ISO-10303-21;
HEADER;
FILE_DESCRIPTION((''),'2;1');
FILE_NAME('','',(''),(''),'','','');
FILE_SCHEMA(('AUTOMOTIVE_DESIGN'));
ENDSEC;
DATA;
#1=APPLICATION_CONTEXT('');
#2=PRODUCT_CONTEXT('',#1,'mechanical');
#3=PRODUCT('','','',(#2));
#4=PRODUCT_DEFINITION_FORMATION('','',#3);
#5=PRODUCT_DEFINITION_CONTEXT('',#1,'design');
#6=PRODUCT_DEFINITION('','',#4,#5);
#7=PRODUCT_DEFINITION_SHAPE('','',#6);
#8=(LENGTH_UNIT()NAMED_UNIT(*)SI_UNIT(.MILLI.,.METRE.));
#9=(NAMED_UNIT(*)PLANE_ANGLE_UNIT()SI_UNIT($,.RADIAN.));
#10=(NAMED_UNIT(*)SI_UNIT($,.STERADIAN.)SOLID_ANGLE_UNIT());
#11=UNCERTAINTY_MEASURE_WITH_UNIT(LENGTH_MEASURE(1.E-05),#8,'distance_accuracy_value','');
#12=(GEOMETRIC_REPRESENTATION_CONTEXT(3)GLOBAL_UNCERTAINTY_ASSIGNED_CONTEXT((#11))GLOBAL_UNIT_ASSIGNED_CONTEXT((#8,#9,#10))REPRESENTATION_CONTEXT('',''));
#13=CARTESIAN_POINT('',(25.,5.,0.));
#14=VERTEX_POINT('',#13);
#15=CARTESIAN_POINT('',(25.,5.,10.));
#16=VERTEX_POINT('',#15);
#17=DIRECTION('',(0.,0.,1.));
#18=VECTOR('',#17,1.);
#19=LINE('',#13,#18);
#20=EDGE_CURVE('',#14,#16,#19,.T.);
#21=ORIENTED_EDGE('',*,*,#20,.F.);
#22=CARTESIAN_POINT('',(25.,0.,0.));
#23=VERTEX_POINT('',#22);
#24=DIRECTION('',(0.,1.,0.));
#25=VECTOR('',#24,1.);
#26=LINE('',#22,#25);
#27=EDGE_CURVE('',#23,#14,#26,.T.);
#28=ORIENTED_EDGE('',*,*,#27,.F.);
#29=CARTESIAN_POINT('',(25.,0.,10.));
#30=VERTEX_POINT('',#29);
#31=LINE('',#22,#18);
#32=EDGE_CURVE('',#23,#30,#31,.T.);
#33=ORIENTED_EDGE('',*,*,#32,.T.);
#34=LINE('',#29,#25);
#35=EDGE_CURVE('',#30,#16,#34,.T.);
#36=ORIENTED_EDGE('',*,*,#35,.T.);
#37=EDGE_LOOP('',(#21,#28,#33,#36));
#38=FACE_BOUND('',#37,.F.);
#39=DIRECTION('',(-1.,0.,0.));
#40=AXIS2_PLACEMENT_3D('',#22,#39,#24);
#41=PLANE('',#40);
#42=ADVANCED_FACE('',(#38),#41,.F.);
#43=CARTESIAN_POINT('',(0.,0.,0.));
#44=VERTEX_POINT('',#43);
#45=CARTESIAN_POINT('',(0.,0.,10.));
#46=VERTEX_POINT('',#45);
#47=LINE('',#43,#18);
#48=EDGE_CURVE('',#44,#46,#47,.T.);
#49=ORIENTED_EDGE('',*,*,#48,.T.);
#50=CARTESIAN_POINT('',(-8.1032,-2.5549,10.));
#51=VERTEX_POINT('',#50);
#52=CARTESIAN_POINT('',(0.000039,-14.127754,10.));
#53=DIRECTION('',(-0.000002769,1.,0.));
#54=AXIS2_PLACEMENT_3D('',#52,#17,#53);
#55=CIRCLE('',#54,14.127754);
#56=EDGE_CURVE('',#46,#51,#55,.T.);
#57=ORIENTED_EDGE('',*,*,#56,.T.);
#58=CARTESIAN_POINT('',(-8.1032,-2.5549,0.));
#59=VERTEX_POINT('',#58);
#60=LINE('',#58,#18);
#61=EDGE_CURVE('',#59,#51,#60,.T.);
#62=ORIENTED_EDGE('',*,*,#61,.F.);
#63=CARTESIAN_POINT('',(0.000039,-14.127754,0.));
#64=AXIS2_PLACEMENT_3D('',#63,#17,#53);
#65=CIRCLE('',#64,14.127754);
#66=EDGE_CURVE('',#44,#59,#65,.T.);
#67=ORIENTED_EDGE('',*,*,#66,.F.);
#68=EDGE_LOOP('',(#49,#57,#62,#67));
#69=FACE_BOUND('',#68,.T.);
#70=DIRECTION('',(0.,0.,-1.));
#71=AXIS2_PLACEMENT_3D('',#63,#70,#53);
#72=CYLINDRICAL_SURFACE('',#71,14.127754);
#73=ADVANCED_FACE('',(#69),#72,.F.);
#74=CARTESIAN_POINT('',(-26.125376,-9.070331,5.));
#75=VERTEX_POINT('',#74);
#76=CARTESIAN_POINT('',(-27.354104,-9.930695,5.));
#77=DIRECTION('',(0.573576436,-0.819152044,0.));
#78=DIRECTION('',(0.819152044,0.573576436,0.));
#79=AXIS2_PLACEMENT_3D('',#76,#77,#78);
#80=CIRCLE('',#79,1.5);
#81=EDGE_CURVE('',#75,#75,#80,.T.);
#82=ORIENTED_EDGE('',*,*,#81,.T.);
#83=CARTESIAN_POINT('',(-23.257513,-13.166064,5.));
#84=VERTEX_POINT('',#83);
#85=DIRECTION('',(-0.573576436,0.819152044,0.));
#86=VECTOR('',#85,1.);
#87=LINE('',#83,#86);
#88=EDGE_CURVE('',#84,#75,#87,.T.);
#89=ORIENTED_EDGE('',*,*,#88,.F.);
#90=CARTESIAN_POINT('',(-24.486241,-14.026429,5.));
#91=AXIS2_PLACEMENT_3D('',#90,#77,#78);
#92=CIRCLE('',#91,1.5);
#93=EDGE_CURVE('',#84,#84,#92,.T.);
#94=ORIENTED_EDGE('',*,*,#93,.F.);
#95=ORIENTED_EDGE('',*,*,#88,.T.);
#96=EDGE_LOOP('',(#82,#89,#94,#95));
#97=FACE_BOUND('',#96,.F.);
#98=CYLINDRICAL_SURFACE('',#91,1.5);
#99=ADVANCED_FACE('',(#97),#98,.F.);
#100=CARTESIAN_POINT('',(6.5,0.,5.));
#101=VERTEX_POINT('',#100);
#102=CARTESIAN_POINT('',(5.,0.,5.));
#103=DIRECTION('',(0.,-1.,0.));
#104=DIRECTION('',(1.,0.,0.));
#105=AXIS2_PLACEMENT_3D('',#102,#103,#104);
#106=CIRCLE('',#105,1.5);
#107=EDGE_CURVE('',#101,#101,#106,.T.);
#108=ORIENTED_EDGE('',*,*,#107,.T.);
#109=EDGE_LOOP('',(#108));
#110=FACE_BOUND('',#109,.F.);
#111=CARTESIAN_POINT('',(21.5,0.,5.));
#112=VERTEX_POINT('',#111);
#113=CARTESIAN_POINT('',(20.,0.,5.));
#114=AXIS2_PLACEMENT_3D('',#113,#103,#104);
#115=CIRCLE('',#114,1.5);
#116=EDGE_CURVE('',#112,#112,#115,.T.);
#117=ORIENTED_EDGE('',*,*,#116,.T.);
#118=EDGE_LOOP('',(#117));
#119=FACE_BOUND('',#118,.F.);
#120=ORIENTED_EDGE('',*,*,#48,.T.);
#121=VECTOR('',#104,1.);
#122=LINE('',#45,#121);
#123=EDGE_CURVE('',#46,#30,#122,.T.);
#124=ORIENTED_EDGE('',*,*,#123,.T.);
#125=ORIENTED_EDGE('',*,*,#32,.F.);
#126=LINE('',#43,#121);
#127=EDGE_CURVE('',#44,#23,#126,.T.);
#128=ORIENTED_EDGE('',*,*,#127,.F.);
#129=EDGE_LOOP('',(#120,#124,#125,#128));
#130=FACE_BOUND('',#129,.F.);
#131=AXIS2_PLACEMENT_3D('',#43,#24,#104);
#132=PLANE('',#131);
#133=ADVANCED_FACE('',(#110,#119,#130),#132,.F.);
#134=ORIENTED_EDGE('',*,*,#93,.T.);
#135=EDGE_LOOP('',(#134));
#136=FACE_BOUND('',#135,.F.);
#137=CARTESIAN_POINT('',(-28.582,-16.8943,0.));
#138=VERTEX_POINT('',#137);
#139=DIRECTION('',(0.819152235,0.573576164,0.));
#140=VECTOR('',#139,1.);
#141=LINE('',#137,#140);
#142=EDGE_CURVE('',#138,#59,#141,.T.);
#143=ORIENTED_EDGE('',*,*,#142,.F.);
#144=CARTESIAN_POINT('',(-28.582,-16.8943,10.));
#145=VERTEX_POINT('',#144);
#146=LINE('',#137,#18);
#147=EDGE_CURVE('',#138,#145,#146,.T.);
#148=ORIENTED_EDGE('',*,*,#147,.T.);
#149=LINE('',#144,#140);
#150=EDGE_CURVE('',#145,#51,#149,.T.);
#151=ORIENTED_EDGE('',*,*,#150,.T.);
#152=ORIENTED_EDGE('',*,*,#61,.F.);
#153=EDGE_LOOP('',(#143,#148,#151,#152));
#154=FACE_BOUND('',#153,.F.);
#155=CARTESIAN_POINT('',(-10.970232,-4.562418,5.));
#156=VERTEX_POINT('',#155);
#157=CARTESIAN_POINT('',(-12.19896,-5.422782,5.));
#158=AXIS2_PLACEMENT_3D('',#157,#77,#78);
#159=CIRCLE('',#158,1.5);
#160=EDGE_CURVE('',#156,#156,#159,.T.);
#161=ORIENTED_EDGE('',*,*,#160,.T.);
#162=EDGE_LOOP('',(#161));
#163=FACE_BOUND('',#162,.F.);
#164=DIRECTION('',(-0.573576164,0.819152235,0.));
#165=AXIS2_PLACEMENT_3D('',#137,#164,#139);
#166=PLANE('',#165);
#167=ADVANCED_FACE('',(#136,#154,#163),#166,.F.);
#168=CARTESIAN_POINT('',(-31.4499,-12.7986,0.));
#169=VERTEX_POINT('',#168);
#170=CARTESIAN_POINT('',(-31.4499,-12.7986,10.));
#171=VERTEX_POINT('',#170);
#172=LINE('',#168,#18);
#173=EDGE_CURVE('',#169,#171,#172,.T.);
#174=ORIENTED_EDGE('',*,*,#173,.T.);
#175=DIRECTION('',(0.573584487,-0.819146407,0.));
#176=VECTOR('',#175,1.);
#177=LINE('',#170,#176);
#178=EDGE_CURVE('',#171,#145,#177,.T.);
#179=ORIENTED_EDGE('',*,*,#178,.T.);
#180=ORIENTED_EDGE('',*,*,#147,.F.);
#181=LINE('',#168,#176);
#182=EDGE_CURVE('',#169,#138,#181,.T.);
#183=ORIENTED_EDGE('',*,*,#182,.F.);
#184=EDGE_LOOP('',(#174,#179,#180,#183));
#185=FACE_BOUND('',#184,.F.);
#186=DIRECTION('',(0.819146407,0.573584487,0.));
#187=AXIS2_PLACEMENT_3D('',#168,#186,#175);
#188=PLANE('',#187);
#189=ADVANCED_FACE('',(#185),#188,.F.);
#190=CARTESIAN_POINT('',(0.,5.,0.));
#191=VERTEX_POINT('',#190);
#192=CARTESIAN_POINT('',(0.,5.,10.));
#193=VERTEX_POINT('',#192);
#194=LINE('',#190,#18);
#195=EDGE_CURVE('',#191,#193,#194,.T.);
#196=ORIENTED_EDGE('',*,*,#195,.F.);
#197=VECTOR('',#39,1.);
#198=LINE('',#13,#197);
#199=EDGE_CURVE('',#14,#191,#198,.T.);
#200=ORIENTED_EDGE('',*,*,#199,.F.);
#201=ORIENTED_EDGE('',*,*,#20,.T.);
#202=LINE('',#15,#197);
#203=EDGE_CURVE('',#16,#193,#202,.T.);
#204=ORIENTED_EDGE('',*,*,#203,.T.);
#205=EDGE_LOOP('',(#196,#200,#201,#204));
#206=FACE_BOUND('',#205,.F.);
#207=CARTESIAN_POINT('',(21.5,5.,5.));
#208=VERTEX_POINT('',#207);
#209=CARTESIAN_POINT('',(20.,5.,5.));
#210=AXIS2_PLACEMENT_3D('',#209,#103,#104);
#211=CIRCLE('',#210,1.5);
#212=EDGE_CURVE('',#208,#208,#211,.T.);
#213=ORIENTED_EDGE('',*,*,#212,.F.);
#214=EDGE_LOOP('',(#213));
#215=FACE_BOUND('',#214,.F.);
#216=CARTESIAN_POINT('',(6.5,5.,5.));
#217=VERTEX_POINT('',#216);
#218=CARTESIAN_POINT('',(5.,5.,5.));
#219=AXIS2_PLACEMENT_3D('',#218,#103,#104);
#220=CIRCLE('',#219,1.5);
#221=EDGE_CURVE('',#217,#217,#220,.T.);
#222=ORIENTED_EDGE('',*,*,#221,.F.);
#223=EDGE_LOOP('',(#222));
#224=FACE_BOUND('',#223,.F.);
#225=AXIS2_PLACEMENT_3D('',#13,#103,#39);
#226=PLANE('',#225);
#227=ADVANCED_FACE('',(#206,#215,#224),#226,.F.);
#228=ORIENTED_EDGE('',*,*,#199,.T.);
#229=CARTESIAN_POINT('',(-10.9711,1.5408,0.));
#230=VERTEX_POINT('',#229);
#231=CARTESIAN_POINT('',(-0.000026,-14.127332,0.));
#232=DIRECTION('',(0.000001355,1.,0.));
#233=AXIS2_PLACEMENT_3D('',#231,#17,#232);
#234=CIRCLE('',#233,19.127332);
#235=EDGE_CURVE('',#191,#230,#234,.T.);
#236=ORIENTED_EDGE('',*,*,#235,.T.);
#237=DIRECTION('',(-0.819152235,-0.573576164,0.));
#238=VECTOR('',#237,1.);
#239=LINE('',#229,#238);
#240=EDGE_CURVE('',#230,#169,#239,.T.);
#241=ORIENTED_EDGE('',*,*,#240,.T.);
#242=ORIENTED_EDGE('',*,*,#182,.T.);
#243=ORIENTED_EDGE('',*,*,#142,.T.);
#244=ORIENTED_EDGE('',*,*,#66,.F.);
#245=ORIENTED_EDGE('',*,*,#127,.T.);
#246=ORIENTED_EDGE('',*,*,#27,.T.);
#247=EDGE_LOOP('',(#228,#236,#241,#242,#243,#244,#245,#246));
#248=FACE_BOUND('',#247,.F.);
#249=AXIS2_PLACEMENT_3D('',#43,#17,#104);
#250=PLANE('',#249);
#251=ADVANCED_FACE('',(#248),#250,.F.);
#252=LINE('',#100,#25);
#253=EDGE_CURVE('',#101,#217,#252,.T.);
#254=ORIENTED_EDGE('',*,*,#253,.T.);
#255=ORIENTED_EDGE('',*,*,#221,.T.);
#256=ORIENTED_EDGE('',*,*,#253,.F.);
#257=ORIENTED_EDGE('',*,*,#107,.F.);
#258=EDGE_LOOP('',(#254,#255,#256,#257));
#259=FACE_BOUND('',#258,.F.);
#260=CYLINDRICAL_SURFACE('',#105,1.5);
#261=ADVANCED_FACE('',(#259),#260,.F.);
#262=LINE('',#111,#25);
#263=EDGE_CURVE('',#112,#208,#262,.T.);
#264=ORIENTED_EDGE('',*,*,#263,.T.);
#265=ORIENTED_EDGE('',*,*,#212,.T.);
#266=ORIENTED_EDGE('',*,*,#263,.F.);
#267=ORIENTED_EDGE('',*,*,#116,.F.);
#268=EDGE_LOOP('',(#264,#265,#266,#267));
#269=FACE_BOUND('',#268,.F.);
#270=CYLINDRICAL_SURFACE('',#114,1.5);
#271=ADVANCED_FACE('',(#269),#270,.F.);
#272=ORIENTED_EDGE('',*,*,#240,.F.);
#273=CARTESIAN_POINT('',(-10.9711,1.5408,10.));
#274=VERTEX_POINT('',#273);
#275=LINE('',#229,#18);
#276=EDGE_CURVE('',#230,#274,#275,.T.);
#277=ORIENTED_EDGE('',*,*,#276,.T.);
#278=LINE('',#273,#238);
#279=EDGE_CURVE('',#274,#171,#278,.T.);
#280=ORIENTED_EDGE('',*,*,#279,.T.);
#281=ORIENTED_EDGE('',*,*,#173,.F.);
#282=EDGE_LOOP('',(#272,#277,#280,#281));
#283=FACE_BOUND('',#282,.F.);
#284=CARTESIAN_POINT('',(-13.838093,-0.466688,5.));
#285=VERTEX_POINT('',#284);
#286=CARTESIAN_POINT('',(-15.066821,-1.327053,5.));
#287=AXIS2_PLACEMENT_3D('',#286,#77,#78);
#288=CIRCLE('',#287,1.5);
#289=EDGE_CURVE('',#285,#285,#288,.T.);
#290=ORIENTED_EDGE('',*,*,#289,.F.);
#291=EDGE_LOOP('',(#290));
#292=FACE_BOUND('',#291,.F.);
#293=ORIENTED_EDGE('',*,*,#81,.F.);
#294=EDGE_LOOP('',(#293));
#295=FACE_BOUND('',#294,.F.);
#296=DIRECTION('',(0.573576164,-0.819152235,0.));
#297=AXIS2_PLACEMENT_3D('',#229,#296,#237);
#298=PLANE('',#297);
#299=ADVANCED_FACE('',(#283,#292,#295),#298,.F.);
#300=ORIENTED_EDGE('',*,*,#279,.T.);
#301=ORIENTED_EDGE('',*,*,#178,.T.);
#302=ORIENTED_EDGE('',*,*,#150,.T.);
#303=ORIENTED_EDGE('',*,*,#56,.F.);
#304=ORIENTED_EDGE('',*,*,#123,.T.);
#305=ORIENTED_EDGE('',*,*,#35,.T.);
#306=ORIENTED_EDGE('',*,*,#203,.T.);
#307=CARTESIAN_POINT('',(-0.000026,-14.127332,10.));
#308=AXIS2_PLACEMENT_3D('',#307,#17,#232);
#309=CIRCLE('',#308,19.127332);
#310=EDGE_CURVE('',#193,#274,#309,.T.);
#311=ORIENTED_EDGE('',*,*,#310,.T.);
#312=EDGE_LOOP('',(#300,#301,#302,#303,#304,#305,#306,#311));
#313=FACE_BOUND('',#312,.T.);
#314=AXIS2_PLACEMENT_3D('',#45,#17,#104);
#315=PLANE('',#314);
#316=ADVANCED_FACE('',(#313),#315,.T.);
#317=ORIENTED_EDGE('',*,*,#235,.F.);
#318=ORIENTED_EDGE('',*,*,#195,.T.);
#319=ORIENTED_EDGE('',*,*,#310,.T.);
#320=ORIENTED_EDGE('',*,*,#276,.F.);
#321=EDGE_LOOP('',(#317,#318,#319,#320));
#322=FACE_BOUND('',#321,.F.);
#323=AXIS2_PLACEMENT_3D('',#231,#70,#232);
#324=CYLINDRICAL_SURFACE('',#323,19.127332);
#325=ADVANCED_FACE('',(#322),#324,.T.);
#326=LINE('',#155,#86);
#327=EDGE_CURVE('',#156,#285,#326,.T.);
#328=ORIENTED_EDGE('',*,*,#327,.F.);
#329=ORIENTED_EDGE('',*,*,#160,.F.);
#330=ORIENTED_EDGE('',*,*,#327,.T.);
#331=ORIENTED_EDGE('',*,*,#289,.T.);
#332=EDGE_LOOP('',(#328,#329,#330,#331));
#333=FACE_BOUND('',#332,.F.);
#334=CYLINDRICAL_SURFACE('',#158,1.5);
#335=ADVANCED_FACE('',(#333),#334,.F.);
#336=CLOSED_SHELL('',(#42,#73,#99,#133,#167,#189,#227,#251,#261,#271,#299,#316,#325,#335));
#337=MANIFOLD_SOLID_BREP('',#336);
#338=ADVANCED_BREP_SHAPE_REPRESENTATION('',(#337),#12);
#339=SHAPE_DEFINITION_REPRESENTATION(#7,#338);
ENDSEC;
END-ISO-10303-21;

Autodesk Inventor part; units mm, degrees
ref_plane "YZ Plane" through (0, 0, 0) normal (1, 0, 0) x (0, 1, 0)
ref_plane "XZ Plane" through (0, 0, 0) normal (0, 1, 0) x (-1, 0, 0)
ref_plane "XY Plane" through (0, 0, 0) normal (0, 0, 1) x (1, 0, 0)
sketch "スケッチ1" plane through (0, 0, 0) normal (0, 0, 1) x (1, 0, 0)
  line L0 (0, 0) -> (25, 0)
  line L1 (25, 0) -> (25, 5)
  line L2 (25, 5) -> (0, 5)
  line L3 (0, 5) -> (0, 0)
  circle A0 centre (5, 2.5) radius 1.5 construction
  circle A1 centre (20, 2.5) radius 1.5 construction
  line L4 (20, 2.5) -> (5, 2.5) construction
  line L5 (-10.9711, 1.5408) -> (-31.4499, -12.7986)
  line L6 (-31.4499, -12.7986) -> (-28.582, -16.8943)
  line L7 (-28.582, -16.8943) -> (-8.1032, -2.5549)
  line L8 (-8.1032, -2.5549) -> (-10.9711, 1.5408)
  line L9 (-30.016, -14.8465) -> (-9.5372, -0.5071) construction
  arc A2 (0, 2.5) -> (-9.5372, -0.5071) centre (0, -14.1275) ccw construction
  arc A3 (0, 5) -> (-10.9711, 1.5408) centre (0, -14.1275) ccw
  arc A4 (0, 0) -> (-8.1032, -2.5549) centre (0, -14.1275) ccw
  circle A5 centre (-25.9202, -11.9786) radius 1.5 construction
  circle A6 centre (-13.6329, -3.3749) radius 1.5 construction
  point P0 (25, 2.5)
  point P1 (-8.1032, -2.5549)
  point P2 (-10.9711, 1.5408)
  dimension "d0" = 5
  dimension "d1" = 3
  dimension "d2" = 3
  dimension "d3" = 15
  dimension "d4" = 5
  dimension "d5" = 5
  dimension "d6" = 5
  dimension "d7" = 25
  dimension "d8" = 2.5
  dimension "d9" = 2.5
  dimension "d10" = 145
  dimension "d11" = 10
  dimension "d12" = 3
  dimension "d13" = 3
  dimension "d14" = 5
  dimension "d15" = 5
extrude "押し出し1" add sketch "スケッチ1" along normal blind 10
sketch "スケッチ2" plane through (0, 0, 0) normal (0, -1, 0) x (1, 0, 0)
  line L0 (25, 0) -> (25, 10) projected
  circle A0 centre (5, 5) radius 1.5
  circle A1 centre (20, 5) radius 1.5
  point P0 (0, 0)
  point P1 (25, 5)
  dimension "d18" = 3
  dimension "d19" = 3
  dimension "d20" = 15
  dimension "d21" = 5
extrude "押し出し2" cut sketch "スケッチ2" against normal through all
sketch "スケッチ3" plane through (-8.1032, -2.5549, 0) normal (0.5736, -0.8192, 0) x (0.8192, 0.5736, 0)
  line L0 (-25, 0) -> (-25, 10) projected
  circle A0 centre (-20, 5) radius 1.5
  circle A1 centre (-5, 5) radius 1.5
  point P0 (8.1032, 0)
  point P1 (-25, 5)
  dimension "d24" = 3
  dimension "d25" = 3
  dimension "d26" = 15
  dimension "d27" = 5
extrude "押し出し3" cut sketch "スケッチ3" against normal through all
properties part number "カウンター1.2.1" material "アルミニウム 6061"
